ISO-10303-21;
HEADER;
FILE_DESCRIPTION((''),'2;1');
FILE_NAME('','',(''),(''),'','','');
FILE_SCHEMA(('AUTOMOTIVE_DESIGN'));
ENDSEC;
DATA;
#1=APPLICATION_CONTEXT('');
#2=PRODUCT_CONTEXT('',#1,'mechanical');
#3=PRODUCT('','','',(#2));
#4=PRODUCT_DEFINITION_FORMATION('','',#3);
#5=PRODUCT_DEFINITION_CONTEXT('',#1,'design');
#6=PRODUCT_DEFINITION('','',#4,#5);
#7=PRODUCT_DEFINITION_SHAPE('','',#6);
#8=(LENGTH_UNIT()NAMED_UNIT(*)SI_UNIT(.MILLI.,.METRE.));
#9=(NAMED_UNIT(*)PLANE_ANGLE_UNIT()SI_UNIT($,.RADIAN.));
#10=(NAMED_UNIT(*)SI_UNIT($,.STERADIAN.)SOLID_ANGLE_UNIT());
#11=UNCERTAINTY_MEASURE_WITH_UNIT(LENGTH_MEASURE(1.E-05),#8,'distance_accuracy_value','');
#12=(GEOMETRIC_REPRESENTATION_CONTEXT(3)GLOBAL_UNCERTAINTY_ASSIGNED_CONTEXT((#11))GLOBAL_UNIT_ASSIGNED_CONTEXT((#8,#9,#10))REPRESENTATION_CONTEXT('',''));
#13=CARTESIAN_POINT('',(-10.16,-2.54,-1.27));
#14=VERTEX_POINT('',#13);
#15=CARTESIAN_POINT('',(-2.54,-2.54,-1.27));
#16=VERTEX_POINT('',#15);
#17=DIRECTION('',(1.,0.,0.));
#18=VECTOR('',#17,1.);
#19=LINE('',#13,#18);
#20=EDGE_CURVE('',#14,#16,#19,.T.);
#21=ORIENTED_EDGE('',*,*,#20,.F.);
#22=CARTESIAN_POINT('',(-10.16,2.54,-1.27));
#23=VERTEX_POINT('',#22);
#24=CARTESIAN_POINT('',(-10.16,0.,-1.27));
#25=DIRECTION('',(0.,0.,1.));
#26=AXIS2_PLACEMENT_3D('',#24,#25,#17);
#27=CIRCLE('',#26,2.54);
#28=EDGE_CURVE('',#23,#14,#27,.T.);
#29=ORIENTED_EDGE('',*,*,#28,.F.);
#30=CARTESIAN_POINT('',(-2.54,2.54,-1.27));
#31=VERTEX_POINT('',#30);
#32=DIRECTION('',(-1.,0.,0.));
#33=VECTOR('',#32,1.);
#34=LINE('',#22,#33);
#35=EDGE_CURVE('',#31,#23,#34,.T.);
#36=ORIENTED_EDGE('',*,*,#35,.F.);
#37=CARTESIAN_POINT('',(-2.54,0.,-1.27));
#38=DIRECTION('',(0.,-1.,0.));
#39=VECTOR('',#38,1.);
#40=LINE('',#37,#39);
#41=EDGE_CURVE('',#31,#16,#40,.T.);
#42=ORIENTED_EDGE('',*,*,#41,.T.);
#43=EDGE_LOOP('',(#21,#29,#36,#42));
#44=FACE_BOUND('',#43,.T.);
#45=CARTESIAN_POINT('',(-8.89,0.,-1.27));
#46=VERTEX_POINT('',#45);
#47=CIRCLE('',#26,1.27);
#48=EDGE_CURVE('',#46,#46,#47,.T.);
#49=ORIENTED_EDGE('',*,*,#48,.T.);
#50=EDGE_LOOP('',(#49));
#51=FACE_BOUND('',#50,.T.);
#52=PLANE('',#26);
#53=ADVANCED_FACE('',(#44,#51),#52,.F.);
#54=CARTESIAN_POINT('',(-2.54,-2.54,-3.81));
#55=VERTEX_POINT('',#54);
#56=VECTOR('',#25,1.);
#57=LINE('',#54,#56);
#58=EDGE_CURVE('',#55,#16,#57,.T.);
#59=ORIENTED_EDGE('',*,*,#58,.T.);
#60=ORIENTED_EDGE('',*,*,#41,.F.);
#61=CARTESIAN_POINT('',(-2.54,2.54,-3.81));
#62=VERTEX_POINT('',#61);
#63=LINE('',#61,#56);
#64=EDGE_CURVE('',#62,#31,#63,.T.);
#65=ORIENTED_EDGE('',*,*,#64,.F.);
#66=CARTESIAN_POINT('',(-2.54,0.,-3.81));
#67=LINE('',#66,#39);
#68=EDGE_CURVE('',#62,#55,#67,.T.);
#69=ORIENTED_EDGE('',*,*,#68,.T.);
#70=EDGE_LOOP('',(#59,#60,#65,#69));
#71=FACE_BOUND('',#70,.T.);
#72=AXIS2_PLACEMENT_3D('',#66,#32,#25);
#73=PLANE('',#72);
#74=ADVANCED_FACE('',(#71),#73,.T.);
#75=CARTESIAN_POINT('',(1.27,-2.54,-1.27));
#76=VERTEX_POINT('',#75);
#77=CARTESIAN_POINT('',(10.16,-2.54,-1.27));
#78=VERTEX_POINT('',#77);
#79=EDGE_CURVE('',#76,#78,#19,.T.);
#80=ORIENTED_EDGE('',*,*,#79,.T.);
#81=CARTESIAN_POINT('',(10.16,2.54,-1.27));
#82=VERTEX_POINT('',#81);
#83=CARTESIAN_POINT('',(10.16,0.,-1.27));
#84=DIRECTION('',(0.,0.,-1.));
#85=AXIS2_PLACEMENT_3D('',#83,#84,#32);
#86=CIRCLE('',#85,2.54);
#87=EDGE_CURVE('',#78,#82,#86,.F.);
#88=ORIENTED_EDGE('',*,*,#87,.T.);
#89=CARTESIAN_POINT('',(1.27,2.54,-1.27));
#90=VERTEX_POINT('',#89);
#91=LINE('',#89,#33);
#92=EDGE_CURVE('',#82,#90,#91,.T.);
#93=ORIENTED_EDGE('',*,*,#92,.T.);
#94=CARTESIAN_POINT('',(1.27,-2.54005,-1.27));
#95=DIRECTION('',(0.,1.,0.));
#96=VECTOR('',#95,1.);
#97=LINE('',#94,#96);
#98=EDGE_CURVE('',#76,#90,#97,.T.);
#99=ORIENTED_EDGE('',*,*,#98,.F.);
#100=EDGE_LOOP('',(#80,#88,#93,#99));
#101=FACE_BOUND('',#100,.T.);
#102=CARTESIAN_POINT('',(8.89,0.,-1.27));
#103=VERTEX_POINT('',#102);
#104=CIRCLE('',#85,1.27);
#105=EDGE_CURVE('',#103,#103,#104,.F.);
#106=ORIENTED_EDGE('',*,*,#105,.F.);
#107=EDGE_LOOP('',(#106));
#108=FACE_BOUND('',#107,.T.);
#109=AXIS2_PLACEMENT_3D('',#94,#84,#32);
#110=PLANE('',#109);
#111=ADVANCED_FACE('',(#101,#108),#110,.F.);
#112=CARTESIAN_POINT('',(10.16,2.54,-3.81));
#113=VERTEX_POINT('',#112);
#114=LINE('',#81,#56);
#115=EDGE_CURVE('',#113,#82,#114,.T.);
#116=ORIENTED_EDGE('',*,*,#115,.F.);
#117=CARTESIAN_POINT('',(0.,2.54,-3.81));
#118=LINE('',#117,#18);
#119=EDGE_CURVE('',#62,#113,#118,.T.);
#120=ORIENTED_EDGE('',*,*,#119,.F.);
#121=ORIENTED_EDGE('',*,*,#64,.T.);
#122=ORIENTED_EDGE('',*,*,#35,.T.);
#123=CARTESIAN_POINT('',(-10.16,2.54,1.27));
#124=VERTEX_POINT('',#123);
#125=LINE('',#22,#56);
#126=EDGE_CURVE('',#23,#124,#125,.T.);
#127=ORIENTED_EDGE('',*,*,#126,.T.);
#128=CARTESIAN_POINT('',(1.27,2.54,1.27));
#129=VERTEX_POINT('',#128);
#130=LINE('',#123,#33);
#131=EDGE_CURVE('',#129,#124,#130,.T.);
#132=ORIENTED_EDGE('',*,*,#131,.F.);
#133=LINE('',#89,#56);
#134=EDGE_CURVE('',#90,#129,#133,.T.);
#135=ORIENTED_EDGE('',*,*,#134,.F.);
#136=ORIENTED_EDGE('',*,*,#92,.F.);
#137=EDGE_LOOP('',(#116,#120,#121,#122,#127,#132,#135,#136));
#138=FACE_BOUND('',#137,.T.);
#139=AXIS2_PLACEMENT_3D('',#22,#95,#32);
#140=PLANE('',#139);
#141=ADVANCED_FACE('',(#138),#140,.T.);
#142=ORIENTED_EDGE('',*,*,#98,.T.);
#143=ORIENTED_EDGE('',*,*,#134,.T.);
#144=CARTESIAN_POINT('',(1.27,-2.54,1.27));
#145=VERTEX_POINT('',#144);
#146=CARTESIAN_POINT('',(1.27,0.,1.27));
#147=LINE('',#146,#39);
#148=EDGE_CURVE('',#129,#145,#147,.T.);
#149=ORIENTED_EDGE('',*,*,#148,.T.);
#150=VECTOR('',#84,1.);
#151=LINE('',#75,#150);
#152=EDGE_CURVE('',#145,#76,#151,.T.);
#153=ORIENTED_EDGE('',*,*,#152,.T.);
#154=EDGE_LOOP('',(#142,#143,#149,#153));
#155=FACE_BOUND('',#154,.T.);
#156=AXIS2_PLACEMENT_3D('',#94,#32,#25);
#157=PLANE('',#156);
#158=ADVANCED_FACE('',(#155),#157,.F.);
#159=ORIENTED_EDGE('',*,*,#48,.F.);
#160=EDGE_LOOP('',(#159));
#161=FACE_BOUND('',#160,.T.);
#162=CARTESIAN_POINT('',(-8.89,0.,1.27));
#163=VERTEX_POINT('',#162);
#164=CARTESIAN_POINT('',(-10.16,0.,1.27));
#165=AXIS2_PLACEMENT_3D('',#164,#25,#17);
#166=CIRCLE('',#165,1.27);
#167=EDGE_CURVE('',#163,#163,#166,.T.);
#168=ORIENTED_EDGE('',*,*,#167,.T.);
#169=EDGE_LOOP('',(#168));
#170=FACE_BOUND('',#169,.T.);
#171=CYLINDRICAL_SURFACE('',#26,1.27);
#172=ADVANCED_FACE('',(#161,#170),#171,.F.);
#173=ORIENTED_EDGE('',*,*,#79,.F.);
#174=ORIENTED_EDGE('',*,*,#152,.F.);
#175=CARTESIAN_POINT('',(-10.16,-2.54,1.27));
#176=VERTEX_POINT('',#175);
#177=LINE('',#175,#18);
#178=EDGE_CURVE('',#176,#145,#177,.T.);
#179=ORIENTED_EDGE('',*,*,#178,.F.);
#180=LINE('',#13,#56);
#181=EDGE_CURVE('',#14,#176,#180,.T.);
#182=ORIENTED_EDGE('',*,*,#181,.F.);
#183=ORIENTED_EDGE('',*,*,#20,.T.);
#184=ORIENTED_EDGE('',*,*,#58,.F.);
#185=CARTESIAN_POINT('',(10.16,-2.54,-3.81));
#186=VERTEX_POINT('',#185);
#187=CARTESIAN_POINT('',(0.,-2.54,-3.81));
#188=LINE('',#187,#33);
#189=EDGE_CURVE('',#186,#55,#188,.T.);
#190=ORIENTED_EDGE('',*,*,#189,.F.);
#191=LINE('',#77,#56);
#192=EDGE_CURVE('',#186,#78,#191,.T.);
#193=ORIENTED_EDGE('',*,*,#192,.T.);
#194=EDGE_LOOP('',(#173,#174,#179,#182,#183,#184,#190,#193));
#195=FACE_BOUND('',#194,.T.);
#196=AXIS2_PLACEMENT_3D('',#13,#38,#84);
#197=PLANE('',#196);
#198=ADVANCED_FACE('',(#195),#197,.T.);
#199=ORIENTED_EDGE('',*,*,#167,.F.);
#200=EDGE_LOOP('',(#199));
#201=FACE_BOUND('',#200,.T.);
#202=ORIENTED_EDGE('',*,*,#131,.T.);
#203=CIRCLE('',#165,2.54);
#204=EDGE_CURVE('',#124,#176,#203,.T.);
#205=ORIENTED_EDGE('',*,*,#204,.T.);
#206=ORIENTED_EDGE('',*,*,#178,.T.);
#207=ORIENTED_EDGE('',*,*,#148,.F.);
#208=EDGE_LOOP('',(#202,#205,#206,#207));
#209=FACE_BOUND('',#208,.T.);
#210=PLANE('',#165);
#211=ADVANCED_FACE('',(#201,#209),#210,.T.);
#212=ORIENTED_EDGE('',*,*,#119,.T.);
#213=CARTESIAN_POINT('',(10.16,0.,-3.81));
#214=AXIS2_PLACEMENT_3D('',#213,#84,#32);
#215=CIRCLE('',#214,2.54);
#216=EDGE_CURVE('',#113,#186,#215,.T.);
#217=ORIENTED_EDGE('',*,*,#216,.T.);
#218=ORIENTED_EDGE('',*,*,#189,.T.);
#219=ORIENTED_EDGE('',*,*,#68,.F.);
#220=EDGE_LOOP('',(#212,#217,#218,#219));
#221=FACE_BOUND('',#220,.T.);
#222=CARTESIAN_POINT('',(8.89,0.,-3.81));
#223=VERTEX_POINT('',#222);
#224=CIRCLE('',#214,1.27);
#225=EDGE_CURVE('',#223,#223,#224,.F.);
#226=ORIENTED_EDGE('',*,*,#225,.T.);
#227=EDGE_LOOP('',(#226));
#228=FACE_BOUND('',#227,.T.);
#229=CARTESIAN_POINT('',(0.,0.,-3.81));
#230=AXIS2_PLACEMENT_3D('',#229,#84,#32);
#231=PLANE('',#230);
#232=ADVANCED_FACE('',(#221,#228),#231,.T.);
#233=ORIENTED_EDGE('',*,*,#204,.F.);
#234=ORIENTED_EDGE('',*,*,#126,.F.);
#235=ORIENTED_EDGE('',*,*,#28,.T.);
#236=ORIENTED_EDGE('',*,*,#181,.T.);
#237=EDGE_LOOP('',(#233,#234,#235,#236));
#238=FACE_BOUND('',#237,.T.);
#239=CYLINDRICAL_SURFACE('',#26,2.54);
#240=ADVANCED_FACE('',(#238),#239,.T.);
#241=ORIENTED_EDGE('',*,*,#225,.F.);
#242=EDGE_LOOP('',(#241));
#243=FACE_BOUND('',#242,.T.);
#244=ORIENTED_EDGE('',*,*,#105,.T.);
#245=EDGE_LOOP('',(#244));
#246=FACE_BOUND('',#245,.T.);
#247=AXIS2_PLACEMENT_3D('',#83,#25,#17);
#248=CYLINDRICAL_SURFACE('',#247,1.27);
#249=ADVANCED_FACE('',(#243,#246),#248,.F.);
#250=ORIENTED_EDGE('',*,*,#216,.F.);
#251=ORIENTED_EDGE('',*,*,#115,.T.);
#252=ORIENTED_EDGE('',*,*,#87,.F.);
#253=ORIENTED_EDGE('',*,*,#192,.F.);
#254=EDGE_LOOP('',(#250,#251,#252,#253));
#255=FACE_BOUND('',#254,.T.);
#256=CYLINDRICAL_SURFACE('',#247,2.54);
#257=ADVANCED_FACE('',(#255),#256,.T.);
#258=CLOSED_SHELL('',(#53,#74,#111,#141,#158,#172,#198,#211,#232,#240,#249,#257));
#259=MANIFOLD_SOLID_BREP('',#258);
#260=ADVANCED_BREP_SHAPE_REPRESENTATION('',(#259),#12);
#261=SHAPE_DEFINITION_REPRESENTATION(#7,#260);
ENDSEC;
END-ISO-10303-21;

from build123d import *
from build123d.topology import SkipClean

# Parameters (mm, degrees)
BOSS_EXTRUDE1_DEPTH      = 1.27
BOSS_EXTRUDE1_DEPTH_BACK = 1.27
SKETCH1_R                = 1.27
BOSS_EXTRUDE2_START      = 2.54
SKETCH3_R                = 1.27
BOSS_EXTRUDE2_DEPTH      = 2.54
SKETCH4_W                = 11.43
SKETCH4_H                = 2.54
CUT_EXTRUDE2_DEPTH       = 15.199031657


with BuildPart() as part:
    # Sketch1 → Boss-Extrude1 (new, two sides: drawn at the far end of the back side and taken through both)
    with BuildSketch(Plane.XY.offset(-BOSS_EXTRUDE1_DEPTH_BACK)):
        with BuildLine():
            Line((-10.16, 2.54), (10.16, 2.54))
            ThreePointArc((10.16, 2.54), (12.7, 0), (10.16, -2.54))
            Line((10.16, -2.54), (-10.16, -2.54))
            ThreePointArc((-10.16, -2.54), (-12.7, 0), (-10.16, 2.54))
        make_face()
        with Locations((-10.16, 0)):
            Circle(SKETCH1_R, mode=Mode.SUBTRACT)
        with Locations((10.16, 0)):
            Circle(SKETCH1_R, mode=Mode.SUBTRACT)
    extrude(amount=BOSS_EXTRUDE1_DEPTH + BOSS_EXTRUDE1_DEPTH_BACK)

    # Sketch3 → Boss-Extrude2 (add)
    with SkipClean():  # the faces are left unmerged after this step: merging them gives an invalid solid
        with BuildSketch(Plane(origin=(0, 0, -1.27), x_dir=(-1, 0, 0), z_dir=(0, 0, -1)).offset(BOSS_EXTRUDE2_START)):
            with BuildLine():
                Line((2.54, -2.54), (2.54, 2.54))
                Line((2.54, 2.54), (-10.16, 2.54))
                ThreePointArc((-10.16, 2.54), (-12.7, 0), (-10.16, -2.54))
                Line((-10.16, -2.54), (2.54, -2.54))
            make_face()
            with Locations((-10.16, 0)):
                Circle(SKETCH3_R, mode=Mode.SUBTRACT)
        extrude(amount=-BOSS_EXTRUDE2_DEPTH)

    # Sketch4 → Cut-Extrude2 (cut, through all)
    with BuildSketch(Plane(origin=(0, 2.54, 0), x_dir=(1, 0, 0), z_dir=(0, 1, 0))):
        with Locations((6.985, 0)):
            Rectangle(SKETCH4_W, SKETCH4_H)
    extrude(amount=-CUT_EXTRUDE2_DEPTH, mode=Mode.SUBTRACT)


solid = part.part
